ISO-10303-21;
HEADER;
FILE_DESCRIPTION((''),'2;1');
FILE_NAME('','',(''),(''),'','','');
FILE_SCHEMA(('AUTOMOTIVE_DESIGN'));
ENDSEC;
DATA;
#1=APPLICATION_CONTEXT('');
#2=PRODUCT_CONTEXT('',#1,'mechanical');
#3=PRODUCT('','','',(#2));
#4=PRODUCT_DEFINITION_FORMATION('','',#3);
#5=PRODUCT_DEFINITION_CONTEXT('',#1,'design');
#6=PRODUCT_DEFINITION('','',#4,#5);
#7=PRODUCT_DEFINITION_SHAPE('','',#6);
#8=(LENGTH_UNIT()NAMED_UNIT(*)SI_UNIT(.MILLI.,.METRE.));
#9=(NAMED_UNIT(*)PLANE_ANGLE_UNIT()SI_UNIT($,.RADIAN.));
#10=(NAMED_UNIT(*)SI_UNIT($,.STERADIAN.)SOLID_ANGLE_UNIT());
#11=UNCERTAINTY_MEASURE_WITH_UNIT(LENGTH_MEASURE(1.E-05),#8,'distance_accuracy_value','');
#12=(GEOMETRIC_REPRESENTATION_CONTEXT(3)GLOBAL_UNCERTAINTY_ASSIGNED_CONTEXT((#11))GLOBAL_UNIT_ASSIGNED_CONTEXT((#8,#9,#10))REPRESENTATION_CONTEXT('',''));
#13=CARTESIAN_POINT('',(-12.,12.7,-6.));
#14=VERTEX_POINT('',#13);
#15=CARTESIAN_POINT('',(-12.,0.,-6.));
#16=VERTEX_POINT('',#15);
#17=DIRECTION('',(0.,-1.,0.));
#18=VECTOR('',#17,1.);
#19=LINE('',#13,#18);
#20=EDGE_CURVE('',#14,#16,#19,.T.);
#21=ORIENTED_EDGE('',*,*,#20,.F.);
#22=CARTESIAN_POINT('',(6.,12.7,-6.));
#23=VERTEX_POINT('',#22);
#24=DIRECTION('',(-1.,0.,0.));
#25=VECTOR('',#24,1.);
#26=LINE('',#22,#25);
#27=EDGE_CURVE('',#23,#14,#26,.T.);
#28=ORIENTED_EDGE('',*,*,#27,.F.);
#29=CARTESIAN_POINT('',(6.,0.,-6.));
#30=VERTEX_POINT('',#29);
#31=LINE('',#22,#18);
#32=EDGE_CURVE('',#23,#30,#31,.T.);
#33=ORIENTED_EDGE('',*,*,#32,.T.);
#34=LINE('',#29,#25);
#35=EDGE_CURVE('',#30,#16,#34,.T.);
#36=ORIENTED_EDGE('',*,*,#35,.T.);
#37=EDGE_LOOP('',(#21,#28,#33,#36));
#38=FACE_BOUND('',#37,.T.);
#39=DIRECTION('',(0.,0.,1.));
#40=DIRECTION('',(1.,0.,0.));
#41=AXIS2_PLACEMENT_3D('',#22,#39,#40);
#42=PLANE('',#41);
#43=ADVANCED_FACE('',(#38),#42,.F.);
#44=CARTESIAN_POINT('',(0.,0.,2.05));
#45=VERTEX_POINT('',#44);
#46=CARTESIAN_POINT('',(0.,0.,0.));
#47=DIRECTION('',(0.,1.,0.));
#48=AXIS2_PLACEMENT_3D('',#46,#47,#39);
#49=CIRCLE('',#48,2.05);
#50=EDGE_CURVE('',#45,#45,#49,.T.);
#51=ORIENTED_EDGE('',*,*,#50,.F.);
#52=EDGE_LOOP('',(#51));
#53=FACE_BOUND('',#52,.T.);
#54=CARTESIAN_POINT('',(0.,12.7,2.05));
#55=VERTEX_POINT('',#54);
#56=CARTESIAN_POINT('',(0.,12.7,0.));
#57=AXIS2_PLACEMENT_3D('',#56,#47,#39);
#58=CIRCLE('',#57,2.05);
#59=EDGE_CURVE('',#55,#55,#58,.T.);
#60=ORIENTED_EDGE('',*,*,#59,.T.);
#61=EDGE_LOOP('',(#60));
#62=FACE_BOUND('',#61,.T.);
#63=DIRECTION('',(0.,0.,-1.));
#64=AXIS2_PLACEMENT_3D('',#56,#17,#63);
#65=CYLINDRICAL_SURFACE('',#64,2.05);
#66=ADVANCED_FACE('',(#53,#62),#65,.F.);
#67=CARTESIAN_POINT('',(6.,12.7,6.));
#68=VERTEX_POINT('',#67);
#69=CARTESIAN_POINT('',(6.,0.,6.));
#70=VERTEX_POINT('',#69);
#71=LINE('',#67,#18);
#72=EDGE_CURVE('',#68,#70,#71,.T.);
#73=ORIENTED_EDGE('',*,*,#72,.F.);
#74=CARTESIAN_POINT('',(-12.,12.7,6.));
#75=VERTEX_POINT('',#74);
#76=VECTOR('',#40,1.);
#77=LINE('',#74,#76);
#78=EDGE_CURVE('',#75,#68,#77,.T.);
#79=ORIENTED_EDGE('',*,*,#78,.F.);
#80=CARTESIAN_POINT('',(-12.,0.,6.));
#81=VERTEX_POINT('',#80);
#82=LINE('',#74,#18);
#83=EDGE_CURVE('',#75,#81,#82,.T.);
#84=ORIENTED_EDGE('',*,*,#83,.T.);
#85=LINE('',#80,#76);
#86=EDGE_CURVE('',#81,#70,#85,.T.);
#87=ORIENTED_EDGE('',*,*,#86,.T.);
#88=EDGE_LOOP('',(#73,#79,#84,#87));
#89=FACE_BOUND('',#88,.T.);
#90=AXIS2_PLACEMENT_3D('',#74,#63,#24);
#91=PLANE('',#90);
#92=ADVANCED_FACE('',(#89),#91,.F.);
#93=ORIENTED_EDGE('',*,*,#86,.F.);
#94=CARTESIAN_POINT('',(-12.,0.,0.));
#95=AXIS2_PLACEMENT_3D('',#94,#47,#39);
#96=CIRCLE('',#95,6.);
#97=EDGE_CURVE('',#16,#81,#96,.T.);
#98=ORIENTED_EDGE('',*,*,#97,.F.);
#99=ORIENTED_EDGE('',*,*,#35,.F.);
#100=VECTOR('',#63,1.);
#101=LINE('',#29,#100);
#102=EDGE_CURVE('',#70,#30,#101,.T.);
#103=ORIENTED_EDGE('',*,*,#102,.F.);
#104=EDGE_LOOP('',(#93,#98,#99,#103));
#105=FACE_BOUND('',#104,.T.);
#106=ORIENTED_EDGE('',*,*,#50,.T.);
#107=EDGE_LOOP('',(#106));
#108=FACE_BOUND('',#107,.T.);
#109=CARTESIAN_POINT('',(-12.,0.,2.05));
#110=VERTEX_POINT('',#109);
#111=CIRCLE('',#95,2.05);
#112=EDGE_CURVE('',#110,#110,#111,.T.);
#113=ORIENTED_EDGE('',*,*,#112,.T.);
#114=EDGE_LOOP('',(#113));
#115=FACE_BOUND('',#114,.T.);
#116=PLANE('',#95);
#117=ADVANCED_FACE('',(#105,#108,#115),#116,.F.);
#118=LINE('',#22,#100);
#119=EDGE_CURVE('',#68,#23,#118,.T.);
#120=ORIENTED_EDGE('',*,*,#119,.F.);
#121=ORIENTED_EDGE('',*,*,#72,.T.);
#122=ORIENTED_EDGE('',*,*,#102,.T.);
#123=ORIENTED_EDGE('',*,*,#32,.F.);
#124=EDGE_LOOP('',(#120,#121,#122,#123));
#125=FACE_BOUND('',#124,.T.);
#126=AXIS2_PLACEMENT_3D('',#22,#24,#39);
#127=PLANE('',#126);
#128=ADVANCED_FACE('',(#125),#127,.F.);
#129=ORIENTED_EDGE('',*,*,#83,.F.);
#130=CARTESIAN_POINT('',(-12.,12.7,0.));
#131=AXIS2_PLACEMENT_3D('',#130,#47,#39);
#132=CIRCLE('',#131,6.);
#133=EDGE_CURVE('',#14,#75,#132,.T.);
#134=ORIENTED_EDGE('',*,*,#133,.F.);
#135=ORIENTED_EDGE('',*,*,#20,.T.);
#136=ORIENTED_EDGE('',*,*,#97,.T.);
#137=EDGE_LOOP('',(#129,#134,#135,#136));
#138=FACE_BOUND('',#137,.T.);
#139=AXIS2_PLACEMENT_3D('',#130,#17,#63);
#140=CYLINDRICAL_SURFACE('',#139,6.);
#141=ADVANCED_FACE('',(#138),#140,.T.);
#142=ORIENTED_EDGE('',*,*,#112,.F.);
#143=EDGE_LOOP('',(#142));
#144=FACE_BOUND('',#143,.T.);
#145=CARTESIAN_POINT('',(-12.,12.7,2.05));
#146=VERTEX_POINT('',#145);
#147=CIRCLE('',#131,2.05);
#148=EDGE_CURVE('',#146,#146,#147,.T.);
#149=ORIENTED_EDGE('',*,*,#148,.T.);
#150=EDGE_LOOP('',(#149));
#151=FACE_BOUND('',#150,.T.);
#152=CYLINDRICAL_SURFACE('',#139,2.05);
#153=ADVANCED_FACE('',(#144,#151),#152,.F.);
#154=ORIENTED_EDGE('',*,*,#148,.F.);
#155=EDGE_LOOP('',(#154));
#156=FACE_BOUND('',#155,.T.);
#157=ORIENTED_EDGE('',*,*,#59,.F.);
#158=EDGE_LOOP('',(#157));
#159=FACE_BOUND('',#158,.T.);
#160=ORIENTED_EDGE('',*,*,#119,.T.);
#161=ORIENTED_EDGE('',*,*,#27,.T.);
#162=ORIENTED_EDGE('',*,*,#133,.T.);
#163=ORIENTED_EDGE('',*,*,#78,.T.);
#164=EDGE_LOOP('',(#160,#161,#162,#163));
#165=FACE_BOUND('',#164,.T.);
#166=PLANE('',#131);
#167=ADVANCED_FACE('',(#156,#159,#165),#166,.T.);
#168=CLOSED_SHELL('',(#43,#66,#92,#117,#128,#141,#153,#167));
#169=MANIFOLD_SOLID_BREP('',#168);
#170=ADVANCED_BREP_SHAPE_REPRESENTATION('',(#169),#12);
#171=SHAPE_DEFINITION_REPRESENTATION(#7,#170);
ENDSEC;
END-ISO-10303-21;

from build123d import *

# Parameters (mm, degrees)
SKETCH1_R           = 2.05
BOSS_EXTRUDE1_DEPTH = 12.7


with BuildPart() as part:
    # Sketch1 → Boss-Extrude1 (new body)
    with BuildSketch(Plane(origin=(0, 0, 0), x_dir=(1, 0, 0), z_dir=(0, 1, 0))):
        with BuildLine():
            Line((6, 6), (6, -6))
            Line((6, -6), (-12, -6))
            ThreePointArc((-12, -6), (-18, 0), (-12, 6))
            Line((-12, 6), (6, 6))
        make_face()
        with Locations(Location((0, 0, 0), (0, 0, 270))):
            Circle(SKETCH1_R, mode=Mode.SUBTRACT)
        with Locations(Location((-12, 0, 0), (0, 0, 270))):
            Circle(SKETCH1_R, mode=Mode.SUBTRACT)
    extrude(amount=BOSS_EXTRUDE1_DEPTH)


solid = part.part
